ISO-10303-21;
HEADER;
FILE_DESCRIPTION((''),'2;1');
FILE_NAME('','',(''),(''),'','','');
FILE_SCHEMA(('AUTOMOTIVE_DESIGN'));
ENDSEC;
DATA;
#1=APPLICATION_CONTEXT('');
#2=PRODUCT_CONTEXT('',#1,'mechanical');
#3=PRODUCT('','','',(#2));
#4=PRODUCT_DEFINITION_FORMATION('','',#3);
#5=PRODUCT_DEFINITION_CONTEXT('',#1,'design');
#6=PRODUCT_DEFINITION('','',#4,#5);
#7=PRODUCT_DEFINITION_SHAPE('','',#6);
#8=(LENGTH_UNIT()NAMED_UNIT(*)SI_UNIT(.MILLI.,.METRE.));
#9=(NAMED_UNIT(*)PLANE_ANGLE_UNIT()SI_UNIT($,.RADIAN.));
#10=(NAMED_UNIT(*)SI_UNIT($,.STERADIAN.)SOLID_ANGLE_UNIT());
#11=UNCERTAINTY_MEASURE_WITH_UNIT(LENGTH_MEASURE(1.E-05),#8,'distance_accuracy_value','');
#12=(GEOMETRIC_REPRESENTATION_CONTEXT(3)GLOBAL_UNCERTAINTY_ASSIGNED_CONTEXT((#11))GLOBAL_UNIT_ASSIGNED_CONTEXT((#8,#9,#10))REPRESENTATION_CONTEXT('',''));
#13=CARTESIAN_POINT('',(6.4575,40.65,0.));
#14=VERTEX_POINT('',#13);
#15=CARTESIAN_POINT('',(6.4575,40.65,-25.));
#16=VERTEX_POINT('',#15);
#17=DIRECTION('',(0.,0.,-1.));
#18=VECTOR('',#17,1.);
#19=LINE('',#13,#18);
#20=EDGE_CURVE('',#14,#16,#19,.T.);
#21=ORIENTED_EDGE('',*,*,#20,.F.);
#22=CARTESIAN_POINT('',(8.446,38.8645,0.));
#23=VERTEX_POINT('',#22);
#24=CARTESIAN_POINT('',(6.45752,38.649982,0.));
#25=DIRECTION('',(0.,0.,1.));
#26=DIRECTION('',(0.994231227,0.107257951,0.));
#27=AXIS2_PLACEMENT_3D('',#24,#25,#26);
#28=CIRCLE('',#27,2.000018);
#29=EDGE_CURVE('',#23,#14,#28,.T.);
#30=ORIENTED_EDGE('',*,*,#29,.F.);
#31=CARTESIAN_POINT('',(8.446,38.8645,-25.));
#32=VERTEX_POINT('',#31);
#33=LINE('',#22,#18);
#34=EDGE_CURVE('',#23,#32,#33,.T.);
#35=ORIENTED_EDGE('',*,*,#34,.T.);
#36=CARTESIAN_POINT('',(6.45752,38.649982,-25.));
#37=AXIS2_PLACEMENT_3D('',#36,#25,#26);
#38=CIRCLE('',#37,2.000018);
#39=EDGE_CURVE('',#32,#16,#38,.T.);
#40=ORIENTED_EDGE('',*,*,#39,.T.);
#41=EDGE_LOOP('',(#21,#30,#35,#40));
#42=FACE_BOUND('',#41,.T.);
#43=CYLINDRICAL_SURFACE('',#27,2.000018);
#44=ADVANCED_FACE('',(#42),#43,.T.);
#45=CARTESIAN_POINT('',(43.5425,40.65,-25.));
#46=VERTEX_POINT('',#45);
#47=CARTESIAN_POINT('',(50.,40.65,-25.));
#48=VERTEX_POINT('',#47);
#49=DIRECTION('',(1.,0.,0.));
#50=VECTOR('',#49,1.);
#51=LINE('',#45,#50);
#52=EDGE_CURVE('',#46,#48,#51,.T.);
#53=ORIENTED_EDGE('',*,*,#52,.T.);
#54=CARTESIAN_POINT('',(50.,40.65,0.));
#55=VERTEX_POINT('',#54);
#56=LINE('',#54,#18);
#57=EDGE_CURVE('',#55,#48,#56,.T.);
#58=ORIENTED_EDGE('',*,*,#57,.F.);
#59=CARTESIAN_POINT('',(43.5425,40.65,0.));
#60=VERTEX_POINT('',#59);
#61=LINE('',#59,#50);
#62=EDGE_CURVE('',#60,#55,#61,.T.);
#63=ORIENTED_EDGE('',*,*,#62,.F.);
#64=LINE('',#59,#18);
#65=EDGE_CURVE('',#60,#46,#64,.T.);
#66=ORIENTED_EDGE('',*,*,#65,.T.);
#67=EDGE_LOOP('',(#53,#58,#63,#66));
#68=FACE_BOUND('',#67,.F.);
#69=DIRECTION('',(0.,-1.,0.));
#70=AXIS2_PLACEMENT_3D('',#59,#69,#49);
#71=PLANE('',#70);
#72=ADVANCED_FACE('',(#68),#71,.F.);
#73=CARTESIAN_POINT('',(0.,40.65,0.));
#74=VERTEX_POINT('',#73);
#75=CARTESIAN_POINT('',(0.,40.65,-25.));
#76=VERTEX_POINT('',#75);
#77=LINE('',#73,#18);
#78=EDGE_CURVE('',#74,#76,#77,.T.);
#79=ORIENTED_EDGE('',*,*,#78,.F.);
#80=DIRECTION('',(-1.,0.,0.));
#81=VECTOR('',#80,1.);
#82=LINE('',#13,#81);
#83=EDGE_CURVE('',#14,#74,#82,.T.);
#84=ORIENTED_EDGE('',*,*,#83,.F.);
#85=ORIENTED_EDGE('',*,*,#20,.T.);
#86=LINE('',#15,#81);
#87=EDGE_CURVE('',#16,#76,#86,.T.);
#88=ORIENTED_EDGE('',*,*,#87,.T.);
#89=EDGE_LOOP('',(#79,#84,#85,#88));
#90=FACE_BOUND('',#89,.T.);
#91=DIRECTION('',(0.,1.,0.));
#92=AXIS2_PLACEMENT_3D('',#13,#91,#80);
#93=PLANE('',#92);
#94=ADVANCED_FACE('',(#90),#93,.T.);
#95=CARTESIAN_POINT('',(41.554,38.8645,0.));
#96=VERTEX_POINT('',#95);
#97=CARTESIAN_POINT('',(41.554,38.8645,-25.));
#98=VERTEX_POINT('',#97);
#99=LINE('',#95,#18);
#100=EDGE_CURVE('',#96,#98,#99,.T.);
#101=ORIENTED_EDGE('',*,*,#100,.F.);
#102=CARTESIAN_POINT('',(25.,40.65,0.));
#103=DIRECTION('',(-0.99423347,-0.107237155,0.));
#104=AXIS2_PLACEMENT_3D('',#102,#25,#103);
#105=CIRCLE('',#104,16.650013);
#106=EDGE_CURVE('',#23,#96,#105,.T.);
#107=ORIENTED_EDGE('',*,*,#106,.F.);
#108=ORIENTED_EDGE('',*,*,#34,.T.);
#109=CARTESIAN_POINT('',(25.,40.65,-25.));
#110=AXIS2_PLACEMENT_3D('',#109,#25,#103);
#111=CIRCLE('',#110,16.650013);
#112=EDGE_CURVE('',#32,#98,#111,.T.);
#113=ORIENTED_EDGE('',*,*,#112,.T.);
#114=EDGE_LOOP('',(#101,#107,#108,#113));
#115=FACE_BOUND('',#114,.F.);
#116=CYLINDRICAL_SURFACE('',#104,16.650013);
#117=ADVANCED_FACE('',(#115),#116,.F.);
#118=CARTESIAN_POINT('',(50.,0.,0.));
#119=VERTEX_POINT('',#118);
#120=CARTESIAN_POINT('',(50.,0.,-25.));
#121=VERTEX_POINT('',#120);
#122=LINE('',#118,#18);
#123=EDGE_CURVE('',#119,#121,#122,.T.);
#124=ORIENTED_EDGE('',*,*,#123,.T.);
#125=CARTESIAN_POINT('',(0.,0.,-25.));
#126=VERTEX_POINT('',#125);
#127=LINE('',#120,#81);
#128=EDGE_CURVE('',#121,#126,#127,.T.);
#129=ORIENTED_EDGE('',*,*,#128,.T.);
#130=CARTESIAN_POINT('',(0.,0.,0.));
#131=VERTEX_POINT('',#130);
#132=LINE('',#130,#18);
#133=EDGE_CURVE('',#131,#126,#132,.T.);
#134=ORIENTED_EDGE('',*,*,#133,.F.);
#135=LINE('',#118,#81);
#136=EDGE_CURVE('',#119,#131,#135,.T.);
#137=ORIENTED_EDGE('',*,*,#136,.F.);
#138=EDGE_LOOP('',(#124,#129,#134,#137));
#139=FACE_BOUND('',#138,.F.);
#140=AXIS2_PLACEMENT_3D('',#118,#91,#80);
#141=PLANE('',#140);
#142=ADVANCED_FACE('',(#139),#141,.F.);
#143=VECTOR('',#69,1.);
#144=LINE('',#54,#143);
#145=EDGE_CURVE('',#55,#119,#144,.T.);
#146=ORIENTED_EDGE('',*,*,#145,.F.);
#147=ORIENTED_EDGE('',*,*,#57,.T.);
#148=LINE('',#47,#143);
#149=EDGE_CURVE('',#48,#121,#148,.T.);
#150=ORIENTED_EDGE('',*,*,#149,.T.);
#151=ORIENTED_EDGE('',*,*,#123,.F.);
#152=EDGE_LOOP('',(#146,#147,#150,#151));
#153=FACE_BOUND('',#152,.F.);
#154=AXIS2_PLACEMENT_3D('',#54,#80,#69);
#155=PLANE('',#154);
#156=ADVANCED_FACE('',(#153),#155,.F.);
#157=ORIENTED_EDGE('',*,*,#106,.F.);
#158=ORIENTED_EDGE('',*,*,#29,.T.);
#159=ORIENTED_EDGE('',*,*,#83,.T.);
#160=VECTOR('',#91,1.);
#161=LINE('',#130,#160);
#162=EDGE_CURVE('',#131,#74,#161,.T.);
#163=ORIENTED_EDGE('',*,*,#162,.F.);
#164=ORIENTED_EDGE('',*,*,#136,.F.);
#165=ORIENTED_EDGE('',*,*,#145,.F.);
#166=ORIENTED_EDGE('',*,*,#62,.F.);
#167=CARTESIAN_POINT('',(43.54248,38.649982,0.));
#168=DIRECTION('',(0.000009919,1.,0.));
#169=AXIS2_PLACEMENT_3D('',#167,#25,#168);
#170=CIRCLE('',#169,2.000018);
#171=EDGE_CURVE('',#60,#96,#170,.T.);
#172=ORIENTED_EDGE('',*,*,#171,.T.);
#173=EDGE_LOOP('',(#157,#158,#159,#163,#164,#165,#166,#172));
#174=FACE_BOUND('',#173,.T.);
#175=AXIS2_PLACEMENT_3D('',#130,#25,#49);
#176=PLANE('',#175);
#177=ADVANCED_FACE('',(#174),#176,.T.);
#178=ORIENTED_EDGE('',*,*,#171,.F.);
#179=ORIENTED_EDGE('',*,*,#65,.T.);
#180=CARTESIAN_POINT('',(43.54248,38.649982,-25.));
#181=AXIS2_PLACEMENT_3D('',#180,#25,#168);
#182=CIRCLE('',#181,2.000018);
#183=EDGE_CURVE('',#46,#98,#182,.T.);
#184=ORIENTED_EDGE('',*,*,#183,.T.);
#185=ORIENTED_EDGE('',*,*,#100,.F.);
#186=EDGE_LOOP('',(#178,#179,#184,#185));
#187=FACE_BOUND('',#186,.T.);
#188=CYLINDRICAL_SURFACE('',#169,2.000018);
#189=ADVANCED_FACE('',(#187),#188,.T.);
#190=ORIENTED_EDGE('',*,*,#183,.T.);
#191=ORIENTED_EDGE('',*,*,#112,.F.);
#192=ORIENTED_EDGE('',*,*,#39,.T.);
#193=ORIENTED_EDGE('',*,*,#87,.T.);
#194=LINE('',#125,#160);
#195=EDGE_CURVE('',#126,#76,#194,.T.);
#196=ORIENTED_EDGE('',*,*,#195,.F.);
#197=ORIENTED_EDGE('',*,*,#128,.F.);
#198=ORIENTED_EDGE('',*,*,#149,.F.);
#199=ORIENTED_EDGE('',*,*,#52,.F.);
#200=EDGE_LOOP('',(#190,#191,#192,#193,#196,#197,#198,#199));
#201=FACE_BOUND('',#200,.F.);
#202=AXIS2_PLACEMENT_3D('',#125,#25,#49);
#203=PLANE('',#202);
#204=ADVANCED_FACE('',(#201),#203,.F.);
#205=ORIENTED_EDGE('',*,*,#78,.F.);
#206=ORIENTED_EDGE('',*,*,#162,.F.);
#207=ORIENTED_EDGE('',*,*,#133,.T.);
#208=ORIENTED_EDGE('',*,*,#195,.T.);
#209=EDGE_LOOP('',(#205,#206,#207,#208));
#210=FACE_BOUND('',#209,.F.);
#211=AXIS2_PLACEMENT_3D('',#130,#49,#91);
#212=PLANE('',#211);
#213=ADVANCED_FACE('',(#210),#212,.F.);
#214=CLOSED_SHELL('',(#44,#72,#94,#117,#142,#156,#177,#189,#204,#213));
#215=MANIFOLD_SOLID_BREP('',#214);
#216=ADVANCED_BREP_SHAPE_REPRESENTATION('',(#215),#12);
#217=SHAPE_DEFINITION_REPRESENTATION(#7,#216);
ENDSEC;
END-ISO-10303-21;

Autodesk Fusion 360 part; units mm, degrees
sketch "Sketch1" plane through (0, 0, 0) normal (0, 0, 1) x (1, 0, 0)
  line L0 (50, 40.65) -> (50, 0)
  line L1 (50, 0) -> (0, 0)
  line L2 (0, 0) -> (0, 40.65)
  line L3 (6.4575, 40.65) -> (0, 40.65)
  line L4 (43.5425, 40.65) -> (50, 40.65)
  arc A0 (8.446, 38.8645) -> (41.554, 38.8645) centre (25, 40.65) ccw
  arc A1 (8.446, 38.8645) -> (6.4575, 40.65) centre (6.4575, 38.65) ccw
  arc A2 (43.5425, 40.65) -> (41.554, 38.8645) centre (43.5425, 38.65) ccw
  dimension "d1" = 33.3
  dimension "d2" = 40.65
  dimension "d3" = 2
extrude "Extrude1" add sketch "Sketch1" against normal blind 25
